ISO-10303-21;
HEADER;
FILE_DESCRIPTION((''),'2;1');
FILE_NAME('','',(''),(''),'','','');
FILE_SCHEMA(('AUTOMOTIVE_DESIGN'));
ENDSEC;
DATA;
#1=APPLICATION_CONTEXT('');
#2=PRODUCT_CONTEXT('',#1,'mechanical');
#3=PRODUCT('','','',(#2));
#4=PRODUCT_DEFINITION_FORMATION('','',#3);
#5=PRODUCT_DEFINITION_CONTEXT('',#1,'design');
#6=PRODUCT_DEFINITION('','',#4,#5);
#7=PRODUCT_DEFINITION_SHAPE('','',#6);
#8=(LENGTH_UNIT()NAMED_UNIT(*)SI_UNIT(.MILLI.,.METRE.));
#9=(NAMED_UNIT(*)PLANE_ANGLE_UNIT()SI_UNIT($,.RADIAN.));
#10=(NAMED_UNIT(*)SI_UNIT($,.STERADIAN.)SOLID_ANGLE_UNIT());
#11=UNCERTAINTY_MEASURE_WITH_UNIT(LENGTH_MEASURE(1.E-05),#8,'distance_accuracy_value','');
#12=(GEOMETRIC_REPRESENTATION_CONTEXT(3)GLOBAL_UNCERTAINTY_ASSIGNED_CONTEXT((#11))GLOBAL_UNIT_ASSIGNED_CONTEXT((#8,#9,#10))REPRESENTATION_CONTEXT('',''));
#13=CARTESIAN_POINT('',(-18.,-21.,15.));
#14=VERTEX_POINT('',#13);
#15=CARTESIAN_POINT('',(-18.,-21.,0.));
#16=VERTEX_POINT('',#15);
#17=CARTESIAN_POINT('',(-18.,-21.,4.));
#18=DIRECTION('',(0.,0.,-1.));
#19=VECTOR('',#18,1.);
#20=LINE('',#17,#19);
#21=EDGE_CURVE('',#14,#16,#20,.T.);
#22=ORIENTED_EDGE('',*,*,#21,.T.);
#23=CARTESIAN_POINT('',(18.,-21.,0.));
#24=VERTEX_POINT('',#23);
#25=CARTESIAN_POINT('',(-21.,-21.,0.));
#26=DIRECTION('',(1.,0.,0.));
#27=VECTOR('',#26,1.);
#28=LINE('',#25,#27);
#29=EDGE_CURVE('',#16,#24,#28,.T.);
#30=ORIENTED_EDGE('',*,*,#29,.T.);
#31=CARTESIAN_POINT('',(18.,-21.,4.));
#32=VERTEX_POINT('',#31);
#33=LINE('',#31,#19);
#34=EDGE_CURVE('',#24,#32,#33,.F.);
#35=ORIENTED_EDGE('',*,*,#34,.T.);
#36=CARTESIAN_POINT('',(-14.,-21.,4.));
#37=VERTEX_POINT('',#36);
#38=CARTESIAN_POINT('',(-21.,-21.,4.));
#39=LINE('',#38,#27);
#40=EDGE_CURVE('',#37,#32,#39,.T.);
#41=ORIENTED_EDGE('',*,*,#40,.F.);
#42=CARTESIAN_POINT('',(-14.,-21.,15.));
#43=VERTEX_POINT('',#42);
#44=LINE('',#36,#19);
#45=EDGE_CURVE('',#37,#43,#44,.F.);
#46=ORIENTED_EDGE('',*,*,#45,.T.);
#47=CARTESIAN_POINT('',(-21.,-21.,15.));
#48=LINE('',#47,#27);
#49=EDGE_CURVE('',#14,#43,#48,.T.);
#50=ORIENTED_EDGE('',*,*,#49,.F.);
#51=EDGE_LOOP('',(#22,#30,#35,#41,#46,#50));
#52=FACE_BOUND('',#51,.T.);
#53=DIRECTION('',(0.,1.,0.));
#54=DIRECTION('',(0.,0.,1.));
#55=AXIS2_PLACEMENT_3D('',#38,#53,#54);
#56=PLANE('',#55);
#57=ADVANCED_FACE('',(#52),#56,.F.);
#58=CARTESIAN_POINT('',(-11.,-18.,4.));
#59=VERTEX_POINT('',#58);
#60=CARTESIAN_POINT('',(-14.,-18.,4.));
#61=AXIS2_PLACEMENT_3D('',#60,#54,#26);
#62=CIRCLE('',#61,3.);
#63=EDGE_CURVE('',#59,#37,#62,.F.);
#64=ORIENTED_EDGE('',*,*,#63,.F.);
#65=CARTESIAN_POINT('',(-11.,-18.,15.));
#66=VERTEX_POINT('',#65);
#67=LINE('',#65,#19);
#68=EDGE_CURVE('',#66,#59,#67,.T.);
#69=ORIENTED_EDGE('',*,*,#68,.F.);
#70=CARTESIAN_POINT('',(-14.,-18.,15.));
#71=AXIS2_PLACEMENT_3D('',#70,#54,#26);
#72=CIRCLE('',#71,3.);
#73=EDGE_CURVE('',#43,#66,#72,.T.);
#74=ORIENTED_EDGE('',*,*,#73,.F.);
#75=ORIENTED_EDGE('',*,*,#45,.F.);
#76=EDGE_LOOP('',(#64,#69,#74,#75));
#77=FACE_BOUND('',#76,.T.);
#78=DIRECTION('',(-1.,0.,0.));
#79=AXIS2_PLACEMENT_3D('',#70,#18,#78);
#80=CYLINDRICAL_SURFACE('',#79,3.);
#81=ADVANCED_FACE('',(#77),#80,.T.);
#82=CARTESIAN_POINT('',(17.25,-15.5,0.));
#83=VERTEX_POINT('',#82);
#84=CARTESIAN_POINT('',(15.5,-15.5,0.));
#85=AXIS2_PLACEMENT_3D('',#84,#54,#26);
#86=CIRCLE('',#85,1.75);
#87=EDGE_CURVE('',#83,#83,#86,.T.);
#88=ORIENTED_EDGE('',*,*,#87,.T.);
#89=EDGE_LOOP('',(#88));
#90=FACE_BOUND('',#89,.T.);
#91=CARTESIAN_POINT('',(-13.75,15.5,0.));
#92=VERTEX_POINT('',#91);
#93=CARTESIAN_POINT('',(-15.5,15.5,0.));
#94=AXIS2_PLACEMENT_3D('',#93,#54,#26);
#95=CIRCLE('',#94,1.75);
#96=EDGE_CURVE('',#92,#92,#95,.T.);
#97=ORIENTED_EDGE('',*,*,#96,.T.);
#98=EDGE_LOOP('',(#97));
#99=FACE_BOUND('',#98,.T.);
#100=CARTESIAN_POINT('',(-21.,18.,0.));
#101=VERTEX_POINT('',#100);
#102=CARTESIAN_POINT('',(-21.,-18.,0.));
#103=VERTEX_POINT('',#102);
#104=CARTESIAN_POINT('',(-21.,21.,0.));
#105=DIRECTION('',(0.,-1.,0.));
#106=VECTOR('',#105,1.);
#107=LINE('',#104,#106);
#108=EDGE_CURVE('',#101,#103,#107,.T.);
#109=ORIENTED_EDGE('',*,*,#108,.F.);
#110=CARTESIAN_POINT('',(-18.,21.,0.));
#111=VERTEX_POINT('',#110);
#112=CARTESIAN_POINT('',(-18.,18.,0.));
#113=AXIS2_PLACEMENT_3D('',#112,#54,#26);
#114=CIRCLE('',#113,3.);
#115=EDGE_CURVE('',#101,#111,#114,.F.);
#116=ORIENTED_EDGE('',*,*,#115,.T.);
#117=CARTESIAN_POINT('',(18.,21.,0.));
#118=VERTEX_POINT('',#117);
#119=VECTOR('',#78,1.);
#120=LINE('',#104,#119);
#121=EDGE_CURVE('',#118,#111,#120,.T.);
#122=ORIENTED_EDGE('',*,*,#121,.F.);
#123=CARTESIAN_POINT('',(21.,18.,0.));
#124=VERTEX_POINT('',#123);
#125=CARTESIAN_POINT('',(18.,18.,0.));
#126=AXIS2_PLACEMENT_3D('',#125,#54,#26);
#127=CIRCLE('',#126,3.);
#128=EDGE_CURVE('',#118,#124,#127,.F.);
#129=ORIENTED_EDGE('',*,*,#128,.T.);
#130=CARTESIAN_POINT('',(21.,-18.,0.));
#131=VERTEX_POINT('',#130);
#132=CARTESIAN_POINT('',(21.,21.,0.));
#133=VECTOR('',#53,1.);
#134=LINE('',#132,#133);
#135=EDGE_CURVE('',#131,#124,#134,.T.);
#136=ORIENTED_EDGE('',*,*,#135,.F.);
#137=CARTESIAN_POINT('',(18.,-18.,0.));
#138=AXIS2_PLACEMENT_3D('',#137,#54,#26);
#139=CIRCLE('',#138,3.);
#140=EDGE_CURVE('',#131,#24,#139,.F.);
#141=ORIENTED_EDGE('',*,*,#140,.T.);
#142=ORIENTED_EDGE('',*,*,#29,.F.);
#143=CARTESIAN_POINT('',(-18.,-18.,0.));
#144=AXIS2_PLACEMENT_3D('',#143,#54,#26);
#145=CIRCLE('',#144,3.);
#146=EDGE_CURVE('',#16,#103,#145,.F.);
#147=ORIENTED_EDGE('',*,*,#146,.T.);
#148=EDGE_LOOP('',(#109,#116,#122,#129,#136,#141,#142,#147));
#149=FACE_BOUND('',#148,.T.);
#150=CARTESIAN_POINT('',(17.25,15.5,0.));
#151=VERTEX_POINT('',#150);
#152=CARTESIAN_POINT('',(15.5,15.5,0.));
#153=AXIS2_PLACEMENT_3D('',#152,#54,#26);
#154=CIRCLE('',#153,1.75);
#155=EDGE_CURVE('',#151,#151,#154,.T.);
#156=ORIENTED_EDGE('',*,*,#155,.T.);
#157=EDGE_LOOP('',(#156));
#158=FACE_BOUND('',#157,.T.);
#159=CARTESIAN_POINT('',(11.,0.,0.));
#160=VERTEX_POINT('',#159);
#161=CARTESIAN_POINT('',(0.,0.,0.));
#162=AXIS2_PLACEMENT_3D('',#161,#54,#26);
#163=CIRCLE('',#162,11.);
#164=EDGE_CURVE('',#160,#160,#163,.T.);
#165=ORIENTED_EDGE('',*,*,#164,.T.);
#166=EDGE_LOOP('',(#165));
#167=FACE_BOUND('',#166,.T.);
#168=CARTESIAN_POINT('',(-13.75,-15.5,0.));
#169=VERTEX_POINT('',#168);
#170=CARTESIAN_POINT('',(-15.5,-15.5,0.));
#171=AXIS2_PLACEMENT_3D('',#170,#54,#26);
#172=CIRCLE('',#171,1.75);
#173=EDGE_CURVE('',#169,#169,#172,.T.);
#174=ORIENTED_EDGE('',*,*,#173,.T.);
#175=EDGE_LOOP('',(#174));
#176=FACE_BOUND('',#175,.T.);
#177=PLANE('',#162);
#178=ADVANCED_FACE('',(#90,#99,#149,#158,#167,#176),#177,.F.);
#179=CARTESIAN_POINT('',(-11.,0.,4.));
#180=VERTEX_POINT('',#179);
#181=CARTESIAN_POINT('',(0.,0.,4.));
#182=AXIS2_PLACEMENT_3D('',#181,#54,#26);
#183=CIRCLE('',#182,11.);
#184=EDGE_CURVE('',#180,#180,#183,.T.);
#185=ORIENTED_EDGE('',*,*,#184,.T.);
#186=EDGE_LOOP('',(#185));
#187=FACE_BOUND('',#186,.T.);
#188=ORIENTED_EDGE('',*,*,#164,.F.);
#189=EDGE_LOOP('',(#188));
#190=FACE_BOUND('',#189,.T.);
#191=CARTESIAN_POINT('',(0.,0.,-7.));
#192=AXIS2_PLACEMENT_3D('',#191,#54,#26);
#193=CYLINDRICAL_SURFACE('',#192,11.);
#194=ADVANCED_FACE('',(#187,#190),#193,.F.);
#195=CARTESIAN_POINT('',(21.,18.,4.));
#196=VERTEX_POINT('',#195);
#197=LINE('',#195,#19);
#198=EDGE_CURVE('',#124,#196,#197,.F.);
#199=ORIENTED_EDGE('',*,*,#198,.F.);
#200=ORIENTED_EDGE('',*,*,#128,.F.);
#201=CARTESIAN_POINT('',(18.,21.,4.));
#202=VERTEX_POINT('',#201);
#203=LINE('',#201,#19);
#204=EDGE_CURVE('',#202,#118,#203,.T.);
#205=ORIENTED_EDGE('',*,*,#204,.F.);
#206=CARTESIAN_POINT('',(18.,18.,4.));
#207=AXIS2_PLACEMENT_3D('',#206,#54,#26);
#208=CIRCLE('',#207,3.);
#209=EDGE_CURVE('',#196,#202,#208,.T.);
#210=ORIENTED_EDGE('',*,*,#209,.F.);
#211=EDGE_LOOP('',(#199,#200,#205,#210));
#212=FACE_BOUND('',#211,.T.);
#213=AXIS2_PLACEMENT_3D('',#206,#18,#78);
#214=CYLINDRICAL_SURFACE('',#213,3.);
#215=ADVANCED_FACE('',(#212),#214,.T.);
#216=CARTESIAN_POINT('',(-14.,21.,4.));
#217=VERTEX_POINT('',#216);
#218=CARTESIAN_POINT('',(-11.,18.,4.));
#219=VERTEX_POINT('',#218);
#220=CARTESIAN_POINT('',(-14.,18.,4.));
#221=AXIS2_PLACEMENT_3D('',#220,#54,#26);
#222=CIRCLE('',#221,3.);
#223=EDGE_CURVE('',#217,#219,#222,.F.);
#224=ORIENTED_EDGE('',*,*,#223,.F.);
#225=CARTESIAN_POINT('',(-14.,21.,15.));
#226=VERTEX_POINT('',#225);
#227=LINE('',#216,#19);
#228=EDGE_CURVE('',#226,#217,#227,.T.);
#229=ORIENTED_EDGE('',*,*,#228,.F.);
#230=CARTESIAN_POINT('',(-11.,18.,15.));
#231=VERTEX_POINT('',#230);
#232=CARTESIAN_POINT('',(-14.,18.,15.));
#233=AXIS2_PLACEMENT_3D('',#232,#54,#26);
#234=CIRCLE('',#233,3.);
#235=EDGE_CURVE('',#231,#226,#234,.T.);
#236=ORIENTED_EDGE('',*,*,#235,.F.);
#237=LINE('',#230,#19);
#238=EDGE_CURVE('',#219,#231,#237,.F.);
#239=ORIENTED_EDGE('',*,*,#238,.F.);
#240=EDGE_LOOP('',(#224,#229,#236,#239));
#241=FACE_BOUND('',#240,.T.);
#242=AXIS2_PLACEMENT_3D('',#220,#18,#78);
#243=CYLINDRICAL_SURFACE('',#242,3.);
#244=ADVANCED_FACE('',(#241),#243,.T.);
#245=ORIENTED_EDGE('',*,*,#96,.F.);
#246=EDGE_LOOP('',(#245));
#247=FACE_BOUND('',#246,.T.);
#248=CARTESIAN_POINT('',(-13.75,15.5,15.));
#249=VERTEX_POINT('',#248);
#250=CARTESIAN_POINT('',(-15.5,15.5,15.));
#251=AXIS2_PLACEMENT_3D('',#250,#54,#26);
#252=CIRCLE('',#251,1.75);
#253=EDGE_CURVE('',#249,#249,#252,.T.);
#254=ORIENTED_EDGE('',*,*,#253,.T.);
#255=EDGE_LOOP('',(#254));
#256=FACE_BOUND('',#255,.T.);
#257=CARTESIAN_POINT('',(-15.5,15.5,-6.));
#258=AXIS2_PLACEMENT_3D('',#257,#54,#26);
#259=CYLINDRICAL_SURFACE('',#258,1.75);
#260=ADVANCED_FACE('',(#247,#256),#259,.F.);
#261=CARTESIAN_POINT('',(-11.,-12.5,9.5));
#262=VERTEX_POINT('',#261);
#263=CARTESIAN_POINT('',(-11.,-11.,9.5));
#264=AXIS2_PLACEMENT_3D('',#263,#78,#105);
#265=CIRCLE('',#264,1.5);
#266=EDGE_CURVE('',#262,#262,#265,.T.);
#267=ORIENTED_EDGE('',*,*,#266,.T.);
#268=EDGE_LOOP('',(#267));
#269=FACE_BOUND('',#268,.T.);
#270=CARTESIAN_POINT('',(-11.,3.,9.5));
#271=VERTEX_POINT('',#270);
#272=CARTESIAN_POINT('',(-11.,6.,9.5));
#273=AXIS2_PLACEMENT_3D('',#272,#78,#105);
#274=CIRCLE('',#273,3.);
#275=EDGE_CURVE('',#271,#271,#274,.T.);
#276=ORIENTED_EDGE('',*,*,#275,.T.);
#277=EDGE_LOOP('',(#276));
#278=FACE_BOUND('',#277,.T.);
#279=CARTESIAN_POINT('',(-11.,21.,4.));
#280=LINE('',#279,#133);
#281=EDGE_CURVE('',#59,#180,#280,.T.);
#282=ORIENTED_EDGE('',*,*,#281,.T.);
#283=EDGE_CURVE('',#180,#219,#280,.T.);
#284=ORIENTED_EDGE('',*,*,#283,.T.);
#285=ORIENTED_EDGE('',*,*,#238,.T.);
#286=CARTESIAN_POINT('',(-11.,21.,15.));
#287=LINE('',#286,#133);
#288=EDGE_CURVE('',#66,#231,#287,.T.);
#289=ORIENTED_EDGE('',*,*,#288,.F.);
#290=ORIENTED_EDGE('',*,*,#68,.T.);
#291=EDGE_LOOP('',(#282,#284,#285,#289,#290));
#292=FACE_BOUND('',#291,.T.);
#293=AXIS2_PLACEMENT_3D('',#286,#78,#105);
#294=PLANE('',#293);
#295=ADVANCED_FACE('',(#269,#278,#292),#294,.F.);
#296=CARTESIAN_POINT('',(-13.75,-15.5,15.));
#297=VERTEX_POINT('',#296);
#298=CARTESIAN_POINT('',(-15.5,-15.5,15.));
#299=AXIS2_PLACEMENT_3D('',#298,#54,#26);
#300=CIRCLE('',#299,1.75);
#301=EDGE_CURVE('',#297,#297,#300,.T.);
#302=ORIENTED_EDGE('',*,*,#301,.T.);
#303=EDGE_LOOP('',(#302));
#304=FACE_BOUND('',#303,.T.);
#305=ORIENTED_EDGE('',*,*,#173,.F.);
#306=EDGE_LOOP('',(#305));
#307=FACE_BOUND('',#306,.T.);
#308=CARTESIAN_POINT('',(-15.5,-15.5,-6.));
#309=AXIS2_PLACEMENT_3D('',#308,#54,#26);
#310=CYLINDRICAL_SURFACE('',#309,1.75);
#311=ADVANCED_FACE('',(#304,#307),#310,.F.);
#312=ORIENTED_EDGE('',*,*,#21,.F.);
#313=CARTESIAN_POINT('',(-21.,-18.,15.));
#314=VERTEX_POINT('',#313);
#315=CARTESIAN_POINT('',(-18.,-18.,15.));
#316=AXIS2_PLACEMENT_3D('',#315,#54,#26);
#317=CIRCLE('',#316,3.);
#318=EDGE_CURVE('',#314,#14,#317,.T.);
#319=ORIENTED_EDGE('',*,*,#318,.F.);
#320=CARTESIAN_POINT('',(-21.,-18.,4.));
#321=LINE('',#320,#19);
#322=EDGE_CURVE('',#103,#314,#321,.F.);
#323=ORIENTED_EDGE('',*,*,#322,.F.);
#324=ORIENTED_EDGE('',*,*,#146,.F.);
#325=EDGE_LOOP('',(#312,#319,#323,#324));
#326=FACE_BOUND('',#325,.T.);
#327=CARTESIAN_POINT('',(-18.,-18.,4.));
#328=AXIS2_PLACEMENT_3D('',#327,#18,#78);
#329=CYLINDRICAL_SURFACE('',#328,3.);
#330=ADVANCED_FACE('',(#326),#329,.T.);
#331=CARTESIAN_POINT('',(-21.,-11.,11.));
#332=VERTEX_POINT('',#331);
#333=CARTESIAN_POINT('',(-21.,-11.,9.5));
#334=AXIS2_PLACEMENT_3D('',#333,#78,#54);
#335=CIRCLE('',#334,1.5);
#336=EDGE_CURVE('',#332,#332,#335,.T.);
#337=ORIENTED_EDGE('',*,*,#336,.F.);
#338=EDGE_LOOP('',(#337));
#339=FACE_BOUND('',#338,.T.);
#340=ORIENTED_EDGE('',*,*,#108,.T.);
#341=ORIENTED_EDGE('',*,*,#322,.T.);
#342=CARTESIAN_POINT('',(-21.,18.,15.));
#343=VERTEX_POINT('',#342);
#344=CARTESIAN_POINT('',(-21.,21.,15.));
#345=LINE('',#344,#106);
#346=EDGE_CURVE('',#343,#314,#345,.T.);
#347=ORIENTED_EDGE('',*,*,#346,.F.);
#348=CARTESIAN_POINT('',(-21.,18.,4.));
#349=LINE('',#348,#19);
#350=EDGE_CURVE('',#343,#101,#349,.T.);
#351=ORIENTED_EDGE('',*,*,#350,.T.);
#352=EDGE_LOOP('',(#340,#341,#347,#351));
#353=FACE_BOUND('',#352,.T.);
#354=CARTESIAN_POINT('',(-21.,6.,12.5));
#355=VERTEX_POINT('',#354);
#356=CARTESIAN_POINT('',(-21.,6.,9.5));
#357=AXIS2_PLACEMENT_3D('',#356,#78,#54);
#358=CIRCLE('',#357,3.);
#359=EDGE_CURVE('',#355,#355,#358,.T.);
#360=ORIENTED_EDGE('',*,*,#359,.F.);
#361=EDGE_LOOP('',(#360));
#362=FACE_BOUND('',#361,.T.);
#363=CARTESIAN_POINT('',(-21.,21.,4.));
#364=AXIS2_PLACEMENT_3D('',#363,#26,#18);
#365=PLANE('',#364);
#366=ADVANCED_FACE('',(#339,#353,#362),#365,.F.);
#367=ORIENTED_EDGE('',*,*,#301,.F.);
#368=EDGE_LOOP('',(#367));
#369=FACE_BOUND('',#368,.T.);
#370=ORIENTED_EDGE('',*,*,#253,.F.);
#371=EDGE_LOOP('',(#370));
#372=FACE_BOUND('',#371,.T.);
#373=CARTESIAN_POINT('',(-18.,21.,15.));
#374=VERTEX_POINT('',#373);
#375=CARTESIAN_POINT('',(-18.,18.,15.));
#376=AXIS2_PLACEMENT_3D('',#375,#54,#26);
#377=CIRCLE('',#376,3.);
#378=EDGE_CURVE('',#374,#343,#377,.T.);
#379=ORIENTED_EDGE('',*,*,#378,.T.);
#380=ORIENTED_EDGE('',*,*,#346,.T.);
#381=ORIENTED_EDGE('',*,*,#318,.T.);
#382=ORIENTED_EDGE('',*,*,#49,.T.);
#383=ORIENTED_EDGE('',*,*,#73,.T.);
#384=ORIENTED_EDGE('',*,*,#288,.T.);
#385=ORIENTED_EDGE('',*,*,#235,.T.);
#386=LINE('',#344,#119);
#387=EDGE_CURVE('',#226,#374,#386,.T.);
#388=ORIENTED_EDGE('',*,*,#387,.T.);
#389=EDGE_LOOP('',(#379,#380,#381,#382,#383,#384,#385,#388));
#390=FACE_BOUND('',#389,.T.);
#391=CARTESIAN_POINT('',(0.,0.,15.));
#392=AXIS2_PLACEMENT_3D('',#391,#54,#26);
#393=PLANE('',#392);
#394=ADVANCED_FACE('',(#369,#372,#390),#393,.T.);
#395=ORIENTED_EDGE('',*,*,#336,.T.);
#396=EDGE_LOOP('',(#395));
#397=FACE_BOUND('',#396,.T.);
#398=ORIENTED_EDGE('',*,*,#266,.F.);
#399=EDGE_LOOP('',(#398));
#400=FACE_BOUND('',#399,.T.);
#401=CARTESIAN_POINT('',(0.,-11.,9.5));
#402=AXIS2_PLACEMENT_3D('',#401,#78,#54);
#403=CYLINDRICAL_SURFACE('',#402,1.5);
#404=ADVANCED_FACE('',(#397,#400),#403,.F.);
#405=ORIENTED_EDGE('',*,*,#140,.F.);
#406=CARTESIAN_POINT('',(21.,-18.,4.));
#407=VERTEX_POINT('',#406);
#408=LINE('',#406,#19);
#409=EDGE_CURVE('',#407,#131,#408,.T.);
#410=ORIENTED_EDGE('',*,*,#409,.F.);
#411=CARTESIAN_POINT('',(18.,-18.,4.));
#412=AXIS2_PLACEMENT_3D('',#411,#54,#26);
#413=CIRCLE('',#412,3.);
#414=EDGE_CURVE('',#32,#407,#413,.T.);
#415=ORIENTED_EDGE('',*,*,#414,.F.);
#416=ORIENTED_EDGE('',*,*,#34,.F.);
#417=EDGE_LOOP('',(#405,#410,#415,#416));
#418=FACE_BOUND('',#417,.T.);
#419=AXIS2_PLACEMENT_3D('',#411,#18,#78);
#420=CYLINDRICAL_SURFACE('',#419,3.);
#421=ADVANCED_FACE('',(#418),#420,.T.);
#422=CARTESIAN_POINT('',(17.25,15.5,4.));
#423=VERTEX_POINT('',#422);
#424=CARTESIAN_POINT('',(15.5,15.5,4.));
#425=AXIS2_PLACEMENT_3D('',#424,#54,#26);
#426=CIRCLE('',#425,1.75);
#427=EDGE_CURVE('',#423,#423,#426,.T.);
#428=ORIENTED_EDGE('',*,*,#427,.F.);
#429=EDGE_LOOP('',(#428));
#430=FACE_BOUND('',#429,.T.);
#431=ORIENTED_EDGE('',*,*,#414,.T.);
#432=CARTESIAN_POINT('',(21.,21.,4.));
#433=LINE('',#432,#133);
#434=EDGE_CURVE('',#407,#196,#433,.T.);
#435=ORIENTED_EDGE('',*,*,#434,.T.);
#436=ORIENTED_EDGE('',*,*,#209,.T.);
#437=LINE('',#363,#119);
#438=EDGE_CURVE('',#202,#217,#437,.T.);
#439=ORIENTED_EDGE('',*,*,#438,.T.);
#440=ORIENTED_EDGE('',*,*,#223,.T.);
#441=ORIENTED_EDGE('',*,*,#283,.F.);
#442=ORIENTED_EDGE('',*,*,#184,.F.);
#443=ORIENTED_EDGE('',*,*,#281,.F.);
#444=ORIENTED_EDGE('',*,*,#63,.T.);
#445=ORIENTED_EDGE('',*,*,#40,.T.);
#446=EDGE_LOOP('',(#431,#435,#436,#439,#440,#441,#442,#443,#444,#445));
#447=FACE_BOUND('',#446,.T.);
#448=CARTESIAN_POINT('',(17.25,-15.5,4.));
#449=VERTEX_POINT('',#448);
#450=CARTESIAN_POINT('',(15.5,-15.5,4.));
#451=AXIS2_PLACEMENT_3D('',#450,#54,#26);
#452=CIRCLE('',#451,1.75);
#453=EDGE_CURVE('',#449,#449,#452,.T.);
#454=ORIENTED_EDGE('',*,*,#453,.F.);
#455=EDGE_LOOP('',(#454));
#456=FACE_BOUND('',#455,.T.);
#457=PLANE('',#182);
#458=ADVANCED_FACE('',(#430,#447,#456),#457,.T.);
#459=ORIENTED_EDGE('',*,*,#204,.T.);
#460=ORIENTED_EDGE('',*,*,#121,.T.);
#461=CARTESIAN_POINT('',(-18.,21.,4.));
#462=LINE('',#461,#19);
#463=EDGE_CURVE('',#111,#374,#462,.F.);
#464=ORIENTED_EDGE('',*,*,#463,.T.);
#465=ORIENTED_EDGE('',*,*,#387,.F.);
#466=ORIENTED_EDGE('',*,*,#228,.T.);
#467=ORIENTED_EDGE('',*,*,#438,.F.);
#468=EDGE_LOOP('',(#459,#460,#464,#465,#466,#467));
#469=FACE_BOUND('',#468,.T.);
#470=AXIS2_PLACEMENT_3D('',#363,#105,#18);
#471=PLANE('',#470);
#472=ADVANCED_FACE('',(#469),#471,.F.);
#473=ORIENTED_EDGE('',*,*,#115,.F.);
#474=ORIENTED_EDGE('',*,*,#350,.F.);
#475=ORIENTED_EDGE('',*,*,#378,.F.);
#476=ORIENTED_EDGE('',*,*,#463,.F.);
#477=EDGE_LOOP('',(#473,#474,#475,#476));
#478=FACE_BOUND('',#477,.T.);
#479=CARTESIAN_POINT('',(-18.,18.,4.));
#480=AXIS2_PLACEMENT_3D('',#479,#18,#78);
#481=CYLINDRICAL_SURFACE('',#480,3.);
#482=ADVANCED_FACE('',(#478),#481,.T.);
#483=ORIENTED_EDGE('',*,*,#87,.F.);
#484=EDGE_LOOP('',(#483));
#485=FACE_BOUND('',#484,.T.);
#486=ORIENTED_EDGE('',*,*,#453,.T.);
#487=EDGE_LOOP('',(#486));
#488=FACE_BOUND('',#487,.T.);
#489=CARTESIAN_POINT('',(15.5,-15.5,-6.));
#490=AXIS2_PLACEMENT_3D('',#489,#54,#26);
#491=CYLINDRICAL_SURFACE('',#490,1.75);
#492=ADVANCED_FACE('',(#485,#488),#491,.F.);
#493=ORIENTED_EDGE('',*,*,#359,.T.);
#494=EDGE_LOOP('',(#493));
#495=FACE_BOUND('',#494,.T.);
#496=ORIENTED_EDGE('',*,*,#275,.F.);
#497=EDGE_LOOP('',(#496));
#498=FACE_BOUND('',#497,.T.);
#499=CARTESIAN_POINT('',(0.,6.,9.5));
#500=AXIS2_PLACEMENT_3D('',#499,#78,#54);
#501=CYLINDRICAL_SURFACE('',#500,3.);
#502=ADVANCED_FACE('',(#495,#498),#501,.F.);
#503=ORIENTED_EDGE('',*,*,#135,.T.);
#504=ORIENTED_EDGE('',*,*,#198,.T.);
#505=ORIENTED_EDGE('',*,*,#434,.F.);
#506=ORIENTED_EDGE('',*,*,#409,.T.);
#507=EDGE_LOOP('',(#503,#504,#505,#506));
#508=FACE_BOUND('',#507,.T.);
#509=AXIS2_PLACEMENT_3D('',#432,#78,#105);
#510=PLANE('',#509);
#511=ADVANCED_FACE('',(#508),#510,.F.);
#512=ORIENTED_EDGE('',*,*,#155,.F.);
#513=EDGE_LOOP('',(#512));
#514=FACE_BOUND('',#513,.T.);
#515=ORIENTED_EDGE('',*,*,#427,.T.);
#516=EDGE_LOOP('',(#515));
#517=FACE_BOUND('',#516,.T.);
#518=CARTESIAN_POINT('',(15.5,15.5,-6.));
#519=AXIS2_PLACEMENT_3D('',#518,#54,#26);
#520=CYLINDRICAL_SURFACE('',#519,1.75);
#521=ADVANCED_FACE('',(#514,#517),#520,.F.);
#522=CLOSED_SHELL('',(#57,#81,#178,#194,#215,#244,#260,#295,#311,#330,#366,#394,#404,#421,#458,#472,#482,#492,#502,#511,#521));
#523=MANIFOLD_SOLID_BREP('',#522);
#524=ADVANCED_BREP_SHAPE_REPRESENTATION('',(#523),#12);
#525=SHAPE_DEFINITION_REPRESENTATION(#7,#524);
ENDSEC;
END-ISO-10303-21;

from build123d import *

# Parameters (mm, degrees)
SKETCH1_W           = 42
SKETCH1_H           = 42
BOSS_EXTRUDE1_DEPTH = 4
SKETCH2_W           = 10
SKETCH2_H           = 42
BOSS_EXTRUDE2_DEPTH = 11
SKETCH3_R           = 11
CUT_EXTRUDE1_DEPTH  = 11
FILLET1_R           = 3
SKETCH4_R           = 1.75
CUT_EXTRUDE2_DEPTH  = 21
SKETCH6_R           = 3
SKETCH6_R_2         = 1.5
CUT_EXTRUDE3_DEPTH  = 21


with BuildPart() as part:
    # Sketch1 → Boss-Extrude1 (new body)
    with BuildSketch(Plane.XY):
        Rectangle(SKETCH1_W, SKETCH1_H)
    extrude(amount=BOSS_EXTRUDE1_DEPTH)

    # Sketch2 → Boss-Extrude2 (add)
    with BuildSketch(Plane.XY.offset(4)):
        with Locations((-16, 0)):
            Rectangle(SKETCH2_W, SKETCH2_H)
    extrude(amount=BOSS_EXTRUDE2_DEPTH)

    # Sketch3 → Cut-Extrude1 (cut)
    with BuildSketch(Plane.XY.offset(4)):
        Circle(SKETCH3_R)
    extrude(amount=-CUT_EXTRUDE1_DEPTH, mode=Mode.SUBTRACT)

    # Fillet1
    fillet1_edges = [part.edges().sort_by_distance(p)[0] for p in [
        (-11, -21, 9.5),
        (-11, 21, 9.5),
        (21, -21, 2),
        (-21, -21, 7.5),
        (-21, 21, 7.5),
        (21, 21, 2),
    ]]
    fillet(fillet1_edges, radius=FILLET1_R)

    # Sketch4 → Cut-Extrude2 (cut)
    with BuildSketch(Plane.XY.offset(15)):
        with Locations((-15.5, 15.5)):
            Circle(SKETCH4_R)
        with Locations((-15.5, -15.5)):
            Circle(SKETCH4_R)
        with Locations((15.5, 15.5)):
            Circle(SKETCH4_R)
        with Locations((15.5, -15.5)):
            Circle(SKETCH4_R)
    extrude(amount=-CUT_EXTRUDE2_DEPTH, mode=Mode.SUBTRACT)

    # Sketch6 → Cut-Extrude3 (cut)
    with BuildSketch(Plane.ZY.offset(21)):
        with Locations((9.5, 6)):
            Circle(SKETCH6_R)
        with Locations((9.5, -11)):
            Circle(SKETCH6_R_2)
    extrude(amount=-CUT_EXTRUDE3_DEPTH, mode=Mode.SUBTRACT)


solid = part.part
